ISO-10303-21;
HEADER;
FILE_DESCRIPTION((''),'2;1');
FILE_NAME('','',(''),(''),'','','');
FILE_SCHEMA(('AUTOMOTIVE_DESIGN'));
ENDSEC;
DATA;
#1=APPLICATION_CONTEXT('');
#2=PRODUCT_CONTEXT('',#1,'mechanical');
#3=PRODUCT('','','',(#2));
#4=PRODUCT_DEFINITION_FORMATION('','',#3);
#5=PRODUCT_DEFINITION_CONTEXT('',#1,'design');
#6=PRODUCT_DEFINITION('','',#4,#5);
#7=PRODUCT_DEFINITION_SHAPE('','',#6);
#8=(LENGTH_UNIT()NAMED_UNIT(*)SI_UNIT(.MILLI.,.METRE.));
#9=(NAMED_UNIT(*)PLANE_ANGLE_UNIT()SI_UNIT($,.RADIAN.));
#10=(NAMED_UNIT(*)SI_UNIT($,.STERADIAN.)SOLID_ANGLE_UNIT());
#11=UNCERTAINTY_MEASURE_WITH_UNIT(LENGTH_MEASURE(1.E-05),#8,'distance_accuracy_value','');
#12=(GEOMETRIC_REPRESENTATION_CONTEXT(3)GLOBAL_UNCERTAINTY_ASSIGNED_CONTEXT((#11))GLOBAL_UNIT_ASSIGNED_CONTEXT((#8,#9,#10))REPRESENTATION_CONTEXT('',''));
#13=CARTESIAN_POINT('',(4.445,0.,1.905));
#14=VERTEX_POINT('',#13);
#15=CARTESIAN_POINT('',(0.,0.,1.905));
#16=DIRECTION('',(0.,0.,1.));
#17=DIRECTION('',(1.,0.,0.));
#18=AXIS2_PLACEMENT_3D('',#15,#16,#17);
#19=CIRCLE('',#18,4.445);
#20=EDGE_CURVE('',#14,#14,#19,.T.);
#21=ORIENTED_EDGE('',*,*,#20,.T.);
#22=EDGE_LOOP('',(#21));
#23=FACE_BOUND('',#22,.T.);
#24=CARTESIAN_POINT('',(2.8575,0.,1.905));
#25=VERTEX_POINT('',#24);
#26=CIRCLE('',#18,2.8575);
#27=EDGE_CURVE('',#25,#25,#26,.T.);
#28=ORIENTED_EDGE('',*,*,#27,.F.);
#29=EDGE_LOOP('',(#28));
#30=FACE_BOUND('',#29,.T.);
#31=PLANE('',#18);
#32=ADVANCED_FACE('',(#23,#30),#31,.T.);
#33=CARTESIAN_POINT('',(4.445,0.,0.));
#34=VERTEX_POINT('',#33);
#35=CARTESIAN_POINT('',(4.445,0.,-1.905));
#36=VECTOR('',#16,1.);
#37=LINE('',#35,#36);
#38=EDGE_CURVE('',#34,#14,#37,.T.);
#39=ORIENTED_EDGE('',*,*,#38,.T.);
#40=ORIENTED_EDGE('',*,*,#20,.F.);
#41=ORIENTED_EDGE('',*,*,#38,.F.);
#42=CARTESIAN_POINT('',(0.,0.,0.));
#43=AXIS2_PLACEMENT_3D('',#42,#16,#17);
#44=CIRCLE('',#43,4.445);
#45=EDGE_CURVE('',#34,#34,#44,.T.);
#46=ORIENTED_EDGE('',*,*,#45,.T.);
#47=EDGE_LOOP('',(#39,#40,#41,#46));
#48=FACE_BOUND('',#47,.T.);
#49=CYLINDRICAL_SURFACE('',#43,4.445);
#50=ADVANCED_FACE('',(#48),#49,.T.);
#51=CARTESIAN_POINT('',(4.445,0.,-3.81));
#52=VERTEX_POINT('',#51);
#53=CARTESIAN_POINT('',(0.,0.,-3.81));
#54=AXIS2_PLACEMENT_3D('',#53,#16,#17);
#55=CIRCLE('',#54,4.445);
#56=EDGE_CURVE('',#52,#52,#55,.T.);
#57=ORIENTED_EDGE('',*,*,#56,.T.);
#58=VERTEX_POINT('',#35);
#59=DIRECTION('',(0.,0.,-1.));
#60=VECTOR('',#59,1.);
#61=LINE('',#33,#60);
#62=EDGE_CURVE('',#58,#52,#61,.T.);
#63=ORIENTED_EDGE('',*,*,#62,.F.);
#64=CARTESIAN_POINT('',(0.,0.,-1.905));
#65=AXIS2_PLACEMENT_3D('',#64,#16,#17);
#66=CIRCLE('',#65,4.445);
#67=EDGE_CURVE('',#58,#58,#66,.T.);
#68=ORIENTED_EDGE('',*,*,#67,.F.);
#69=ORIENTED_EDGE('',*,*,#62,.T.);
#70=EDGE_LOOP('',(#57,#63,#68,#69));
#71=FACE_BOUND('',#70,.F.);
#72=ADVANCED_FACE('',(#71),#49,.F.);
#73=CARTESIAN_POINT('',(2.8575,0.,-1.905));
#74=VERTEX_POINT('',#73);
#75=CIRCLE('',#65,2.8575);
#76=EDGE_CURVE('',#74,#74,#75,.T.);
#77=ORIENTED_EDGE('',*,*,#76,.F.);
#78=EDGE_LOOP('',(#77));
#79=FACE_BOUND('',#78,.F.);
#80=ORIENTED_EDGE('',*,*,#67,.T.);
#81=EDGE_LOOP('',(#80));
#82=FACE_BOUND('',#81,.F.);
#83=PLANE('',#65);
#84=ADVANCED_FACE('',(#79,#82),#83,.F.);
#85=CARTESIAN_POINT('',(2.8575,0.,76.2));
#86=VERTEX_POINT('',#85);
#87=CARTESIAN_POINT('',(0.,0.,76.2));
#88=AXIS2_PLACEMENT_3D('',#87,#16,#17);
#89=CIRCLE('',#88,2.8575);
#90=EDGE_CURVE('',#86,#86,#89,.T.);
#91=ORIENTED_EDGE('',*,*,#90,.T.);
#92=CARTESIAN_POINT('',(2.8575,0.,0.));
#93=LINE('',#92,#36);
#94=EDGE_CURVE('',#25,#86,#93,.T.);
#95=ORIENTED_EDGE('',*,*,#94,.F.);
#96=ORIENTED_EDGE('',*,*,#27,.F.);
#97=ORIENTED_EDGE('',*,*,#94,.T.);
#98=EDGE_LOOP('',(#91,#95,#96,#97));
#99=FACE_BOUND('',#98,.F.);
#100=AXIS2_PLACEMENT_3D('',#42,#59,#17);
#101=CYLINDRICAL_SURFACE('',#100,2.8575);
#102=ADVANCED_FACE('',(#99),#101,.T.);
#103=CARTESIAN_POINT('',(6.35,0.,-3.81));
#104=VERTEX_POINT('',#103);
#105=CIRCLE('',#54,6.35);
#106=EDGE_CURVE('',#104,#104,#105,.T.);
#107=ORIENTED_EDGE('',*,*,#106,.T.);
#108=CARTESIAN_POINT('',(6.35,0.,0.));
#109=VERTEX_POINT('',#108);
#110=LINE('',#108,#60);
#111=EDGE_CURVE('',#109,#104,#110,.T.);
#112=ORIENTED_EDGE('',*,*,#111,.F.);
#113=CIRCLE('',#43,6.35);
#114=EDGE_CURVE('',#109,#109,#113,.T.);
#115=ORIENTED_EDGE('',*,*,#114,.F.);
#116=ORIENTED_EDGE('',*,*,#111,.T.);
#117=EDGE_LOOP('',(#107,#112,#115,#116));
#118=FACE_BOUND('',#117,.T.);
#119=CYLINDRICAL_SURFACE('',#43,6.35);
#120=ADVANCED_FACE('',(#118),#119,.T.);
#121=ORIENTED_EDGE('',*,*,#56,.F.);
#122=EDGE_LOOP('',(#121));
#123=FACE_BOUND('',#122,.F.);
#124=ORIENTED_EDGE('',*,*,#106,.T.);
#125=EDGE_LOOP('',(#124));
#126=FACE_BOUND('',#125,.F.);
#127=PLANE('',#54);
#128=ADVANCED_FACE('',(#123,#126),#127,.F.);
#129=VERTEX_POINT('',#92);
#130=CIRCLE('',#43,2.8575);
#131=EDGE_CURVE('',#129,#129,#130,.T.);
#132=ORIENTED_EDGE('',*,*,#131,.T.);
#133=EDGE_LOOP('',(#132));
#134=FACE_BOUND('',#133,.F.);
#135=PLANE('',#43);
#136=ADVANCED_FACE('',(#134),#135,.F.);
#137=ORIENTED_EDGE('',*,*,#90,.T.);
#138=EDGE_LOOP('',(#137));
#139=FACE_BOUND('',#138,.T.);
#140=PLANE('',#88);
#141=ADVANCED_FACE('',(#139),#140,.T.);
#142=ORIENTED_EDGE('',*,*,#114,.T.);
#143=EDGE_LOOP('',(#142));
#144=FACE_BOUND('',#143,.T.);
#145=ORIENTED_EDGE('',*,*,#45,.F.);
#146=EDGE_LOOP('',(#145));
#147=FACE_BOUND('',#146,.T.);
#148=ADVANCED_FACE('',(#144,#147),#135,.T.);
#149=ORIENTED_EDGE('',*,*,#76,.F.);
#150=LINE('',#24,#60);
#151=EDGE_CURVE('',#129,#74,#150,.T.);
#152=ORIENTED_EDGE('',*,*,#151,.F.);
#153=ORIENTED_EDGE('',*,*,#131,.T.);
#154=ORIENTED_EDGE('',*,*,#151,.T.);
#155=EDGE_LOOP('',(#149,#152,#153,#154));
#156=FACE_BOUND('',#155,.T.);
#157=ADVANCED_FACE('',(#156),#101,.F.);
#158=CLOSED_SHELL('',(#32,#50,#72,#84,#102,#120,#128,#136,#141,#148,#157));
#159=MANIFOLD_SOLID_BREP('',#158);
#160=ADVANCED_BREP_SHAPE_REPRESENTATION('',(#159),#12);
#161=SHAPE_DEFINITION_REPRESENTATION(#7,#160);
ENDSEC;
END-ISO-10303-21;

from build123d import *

# Parameters (mm, degrees)
F0_R     = 2.8575
F1_DEPTH = 76.2
F0_R_2   = 4.445
F2_DEPTH = 1.905
F0_R_3   = 6.35
F3_DEPTH = 3.81


with BuildPart() as f1:
    # F0 (on Top) → F1 (new body)
    with BuildSketch(Plane.XY):
        Circle(F0_R)
    extrude(amount=F1_DEPTH)

    # F0 (on Top) → F2 (join, symmetric)
    with BuildSketch(Plane.XY):
        Circle(F0_R_2)
        Circle(F0_R, mode=Mode.SUBTRACT)
    extrude(amount=F2_DEPTH, both=True)

    # F0 (on Top) → F3 (join)
    with BuildSketch(Plane.XY):
        Circle(F0_R_3)
        Circle(F0_R_2, mode=Mode.SUBTRACT)
    extrude(amount=-F3_DEPTH)


solid = f1.part
